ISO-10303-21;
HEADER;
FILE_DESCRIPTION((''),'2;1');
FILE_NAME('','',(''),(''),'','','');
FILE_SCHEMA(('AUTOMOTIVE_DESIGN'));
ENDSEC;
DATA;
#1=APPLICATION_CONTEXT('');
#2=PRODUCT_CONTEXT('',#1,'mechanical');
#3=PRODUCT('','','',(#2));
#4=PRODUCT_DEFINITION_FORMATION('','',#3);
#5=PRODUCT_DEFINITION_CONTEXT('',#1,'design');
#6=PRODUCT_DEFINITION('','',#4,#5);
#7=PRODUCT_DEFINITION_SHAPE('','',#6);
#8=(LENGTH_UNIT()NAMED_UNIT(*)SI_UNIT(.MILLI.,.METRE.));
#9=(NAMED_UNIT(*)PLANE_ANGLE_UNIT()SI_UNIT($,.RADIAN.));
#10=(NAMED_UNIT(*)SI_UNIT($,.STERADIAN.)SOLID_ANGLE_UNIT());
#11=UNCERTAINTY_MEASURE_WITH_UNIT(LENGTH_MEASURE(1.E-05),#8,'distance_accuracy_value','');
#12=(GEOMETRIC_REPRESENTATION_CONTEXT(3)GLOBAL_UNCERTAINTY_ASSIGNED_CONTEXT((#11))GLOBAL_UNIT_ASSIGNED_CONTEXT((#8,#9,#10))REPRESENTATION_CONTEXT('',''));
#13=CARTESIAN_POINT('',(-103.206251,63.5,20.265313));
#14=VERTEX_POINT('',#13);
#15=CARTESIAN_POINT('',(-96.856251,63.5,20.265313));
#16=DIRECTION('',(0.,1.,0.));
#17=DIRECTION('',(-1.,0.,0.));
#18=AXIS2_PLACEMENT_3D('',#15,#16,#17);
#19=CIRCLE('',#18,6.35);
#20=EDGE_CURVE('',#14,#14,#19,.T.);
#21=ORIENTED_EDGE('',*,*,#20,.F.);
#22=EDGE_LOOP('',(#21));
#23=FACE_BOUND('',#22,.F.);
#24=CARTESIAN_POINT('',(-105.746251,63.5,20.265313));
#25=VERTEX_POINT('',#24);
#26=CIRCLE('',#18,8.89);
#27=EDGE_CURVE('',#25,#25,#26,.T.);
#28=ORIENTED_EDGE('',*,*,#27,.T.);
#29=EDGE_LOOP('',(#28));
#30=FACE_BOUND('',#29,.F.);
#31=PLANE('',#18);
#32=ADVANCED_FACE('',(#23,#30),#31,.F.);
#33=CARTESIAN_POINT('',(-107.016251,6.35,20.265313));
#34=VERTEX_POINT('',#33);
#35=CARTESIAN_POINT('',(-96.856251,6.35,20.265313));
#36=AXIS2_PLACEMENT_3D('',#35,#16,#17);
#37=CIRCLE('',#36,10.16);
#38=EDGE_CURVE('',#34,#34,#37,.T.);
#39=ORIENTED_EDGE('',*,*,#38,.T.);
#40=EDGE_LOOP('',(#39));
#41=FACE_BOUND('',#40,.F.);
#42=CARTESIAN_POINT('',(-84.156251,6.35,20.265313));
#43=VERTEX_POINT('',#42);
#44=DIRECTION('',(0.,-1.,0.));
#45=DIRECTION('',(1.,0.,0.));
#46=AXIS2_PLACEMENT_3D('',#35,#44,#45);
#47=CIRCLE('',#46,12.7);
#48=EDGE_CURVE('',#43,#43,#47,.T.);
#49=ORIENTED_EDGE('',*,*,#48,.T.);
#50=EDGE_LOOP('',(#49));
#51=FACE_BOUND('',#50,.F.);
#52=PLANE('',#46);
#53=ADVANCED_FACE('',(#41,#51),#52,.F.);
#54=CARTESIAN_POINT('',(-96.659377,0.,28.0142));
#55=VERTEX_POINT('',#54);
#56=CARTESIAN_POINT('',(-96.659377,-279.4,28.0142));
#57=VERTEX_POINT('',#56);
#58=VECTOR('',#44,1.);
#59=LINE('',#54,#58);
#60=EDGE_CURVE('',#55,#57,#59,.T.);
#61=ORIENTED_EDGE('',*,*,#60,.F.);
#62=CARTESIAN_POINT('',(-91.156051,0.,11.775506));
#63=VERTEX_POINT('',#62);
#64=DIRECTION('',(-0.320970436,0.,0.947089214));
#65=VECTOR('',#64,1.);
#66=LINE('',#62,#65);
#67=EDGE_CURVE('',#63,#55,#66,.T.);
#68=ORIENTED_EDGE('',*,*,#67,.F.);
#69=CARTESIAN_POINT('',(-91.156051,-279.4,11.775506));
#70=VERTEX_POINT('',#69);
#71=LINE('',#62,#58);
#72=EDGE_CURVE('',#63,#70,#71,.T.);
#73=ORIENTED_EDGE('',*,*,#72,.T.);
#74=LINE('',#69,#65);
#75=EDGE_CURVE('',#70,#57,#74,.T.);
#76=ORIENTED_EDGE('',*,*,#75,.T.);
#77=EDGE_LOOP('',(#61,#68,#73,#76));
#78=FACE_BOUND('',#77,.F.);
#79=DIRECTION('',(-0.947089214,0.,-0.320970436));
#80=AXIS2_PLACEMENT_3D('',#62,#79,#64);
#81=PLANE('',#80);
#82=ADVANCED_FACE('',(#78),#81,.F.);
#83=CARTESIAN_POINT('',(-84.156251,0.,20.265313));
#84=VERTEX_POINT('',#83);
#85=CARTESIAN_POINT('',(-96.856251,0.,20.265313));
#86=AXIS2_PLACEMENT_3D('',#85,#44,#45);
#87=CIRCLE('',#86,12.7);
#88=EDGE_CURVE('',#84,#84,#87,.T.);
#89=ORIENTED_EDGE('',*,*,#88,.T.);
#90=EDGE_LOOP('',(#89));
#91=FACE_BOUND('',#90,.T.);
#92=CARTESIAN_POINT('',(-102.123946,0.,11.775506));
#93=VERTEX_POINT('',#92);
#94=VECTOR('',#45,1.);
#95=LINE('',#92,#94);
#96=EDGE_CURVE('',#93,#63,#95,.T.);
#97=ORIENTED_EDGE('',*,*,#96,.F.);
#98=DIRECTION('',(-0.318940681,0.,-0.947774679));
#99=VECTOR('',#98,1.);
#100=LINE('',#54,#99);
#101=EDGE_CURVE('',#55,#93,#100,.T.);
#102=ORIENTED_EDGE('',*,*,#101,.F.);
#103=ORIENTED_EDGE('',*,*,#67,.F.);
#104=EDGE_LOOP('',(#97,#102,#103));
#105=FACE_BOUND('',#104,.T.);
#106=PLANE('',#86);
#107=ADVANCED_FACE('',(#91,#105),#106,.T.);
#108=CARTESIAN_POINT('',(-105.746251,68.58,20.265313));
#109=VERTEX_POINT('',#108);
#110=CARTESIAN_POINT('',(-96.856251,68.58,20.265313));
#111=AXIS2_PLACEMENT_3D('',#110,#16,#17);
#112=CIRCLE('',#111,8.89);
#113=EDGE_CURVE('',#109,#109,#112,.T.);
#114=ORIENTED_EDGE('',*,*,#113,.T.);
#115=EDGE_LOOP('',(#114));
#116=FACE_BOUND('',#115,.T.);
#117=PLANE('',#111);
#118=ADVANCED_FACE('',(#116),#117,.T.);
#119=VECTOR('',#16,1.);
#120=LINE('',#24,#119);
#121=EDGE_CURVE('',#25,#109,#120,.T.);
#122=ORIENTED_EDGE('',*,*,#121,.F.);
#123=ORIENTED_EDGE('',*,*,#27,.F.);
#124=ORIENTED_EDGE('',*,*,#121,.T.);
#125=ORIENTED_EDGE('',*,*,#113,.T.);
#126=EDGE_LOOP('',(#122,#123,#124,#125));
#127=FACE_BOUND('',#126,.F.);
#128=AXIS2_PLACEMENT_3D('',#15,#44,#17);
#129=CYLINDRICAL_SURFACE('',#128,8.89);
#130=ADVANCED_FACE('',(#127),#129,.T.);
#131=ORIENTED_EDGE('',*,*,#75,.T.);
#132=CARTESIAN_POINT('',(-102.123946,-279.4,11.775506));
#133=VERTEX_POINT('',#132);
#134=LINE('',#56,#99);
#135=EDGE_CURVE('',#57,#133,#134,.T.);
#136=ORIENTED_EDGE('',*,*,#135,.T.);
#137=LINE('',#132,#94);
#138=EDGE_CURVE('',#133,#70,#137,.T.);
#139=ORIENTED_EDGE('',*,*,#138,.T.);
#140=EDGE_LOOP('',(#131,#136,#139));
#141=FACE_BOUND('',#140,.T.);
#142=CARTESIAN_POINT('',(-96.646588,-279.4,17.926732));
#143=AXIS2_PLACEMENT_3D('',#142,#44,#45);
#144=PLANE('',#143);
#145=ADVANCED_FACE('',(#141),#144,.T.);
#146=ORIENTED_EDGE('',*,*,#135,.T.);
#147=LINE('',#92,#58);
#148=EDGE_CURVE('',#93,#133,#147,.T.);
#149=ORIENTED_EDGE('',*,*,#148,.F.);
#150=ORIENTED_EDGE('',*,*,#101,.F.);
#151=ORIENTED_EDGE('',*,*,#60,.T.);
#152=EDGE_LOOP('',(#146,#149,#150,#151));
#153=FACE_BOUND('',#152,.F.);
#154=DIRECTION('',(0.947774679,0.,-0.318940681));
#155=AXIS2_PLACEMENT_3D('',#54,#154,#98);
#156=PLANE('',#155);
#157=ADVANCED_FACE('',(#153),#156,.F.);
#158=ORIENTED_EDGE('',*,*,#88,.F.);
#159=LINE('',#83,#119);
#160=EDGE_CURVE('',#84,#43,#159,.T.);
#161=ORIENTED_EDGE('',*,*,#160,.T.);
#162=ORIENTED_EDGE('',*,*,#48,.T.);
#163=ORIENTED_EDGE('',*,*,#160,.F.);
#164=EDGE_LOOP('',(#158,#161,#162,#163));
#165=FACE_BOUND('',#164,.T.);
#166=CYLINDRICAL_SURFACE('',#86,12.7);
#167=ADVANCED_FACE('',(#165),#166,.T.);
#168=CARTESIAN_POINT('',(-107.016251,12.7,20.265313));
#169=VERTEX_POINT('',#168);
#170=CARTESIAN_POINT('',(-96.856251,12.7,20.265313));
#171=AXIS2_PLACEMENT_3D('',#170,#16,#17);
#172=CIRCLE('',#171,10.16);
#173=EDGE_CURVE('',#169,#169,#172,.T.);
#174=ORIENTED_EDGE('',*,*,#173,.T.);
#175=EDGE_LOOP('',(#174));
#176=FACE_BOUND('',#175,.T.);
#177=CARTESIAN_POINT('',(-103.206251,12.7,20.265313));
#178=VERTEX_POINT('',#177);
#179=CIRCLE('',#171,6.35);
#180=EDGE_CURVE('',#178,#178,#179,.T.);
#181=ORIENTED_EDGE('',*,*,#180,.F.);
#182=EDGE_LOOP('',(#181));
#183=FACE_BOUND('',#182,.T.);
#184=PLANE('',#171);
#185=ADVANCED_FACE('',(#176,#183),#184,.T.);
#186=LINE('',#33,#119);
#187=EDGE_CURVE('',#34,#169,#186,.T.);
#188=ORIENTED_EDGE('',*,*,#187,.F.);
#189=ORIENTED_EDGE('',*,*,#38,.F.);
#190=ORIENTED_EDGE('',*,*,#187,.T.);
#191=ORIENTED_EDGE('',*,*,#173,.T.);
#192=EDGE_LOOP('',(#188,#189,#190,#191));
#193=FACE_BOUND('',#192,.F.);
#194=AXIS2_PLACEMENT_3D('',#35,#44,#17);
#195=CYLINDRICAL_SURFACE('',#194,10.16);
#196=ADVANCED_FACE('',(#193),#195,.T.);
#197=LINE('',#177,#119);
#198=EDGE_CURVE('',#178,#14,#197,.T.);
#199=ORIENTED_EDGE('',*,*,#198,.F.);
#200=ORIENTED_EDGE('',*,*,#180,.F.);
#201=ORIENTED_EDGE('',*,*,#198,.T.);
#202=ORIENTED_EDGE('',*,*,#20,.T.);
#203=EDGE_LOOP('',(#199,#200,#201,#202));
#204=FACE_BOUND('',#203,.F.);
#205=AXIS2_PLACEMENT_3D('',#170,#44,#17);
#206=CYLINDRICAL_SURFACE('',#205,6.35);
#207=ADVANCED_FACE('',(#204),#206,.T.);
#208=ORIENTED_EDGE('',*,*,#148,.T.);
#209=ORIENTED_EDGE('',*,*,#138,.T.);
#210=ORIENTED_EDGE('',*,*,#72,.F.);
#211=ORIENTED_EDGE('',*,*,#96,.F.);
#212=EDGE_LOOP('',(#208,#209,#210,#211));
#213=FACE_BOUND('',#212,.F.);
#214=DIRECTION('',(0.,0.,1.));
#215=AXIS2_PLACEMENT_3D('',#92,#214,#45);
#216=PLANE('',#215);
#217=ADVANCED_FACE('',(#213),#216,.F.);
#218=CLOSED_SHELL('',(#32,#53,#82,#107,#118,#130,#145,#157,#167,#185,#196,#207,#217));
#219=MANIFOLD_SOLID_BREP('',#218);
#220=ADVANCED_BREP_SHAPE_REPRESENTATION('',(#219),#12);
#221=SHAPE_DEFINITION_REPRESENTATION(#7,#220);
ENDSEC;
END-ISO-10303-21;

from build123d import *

# Parameters (mm, degrees)
F0_R     = 12.7
F1_DEPTH = 6.35
F2_R     = 10.16
F3_DEPTH = 6.35
F4_R     = 6.35
F5_DEPTH = 50.8
F6_R     = 8.89
F7_DEPTH = 5.08
F9_DEPTH = 279.4


with BuildPart() as f1:
    # F0 (on Front) → F1 (new body)
    with BuildSketch(Plane.XZ):
        with Locations((-96.856251, 20.265313)):
            Circle(F0_R)
    extrude(amount=-F1_DEPTH)

    # F2 (on face) → F3 (join)
    with BuildSketch(Plane(origin=(0, 6.35, 0), x_dir=(-1, 0, 0), z_dir=(0, 1, 0))):
        with Locations((96.856251, 20.265313)):
            Circle(F2_R)
    extrude(amount=F3_DEPTH)

    # F4 (on face) → F5 (join)
    with BuildSketch(Plane(origin=(0, 12.7, 0), x_dir=(-1, 0, 0), z_dir=(0, 1, 0))):
        with Locations((96.856251, 20.265313)):
            Circle(F4_R)
    extrude(amount=F5_DEPTH)

    # F6 (on face) → F7 (join)
    with BuildSketch(Plane(origin=(0, 63.5, 0), x_dir=(-1, 0, 0), z_dir=(0, 1, 0))):
        with Locations((96.856251, 20.265313)):
            Circle(F6_R)
    extrude(amount=F7_DEPTH)

    # F8 (on face) → F9 (join)
    with BuildSketch(Plane.XZ):
        Polygon((-96.659377, 28.0142), (-102.123946, 11.775506), (-91.156051, 11.775506), align=None)
    extrude(amount=F9_DEPTH)


solid = f1.part
